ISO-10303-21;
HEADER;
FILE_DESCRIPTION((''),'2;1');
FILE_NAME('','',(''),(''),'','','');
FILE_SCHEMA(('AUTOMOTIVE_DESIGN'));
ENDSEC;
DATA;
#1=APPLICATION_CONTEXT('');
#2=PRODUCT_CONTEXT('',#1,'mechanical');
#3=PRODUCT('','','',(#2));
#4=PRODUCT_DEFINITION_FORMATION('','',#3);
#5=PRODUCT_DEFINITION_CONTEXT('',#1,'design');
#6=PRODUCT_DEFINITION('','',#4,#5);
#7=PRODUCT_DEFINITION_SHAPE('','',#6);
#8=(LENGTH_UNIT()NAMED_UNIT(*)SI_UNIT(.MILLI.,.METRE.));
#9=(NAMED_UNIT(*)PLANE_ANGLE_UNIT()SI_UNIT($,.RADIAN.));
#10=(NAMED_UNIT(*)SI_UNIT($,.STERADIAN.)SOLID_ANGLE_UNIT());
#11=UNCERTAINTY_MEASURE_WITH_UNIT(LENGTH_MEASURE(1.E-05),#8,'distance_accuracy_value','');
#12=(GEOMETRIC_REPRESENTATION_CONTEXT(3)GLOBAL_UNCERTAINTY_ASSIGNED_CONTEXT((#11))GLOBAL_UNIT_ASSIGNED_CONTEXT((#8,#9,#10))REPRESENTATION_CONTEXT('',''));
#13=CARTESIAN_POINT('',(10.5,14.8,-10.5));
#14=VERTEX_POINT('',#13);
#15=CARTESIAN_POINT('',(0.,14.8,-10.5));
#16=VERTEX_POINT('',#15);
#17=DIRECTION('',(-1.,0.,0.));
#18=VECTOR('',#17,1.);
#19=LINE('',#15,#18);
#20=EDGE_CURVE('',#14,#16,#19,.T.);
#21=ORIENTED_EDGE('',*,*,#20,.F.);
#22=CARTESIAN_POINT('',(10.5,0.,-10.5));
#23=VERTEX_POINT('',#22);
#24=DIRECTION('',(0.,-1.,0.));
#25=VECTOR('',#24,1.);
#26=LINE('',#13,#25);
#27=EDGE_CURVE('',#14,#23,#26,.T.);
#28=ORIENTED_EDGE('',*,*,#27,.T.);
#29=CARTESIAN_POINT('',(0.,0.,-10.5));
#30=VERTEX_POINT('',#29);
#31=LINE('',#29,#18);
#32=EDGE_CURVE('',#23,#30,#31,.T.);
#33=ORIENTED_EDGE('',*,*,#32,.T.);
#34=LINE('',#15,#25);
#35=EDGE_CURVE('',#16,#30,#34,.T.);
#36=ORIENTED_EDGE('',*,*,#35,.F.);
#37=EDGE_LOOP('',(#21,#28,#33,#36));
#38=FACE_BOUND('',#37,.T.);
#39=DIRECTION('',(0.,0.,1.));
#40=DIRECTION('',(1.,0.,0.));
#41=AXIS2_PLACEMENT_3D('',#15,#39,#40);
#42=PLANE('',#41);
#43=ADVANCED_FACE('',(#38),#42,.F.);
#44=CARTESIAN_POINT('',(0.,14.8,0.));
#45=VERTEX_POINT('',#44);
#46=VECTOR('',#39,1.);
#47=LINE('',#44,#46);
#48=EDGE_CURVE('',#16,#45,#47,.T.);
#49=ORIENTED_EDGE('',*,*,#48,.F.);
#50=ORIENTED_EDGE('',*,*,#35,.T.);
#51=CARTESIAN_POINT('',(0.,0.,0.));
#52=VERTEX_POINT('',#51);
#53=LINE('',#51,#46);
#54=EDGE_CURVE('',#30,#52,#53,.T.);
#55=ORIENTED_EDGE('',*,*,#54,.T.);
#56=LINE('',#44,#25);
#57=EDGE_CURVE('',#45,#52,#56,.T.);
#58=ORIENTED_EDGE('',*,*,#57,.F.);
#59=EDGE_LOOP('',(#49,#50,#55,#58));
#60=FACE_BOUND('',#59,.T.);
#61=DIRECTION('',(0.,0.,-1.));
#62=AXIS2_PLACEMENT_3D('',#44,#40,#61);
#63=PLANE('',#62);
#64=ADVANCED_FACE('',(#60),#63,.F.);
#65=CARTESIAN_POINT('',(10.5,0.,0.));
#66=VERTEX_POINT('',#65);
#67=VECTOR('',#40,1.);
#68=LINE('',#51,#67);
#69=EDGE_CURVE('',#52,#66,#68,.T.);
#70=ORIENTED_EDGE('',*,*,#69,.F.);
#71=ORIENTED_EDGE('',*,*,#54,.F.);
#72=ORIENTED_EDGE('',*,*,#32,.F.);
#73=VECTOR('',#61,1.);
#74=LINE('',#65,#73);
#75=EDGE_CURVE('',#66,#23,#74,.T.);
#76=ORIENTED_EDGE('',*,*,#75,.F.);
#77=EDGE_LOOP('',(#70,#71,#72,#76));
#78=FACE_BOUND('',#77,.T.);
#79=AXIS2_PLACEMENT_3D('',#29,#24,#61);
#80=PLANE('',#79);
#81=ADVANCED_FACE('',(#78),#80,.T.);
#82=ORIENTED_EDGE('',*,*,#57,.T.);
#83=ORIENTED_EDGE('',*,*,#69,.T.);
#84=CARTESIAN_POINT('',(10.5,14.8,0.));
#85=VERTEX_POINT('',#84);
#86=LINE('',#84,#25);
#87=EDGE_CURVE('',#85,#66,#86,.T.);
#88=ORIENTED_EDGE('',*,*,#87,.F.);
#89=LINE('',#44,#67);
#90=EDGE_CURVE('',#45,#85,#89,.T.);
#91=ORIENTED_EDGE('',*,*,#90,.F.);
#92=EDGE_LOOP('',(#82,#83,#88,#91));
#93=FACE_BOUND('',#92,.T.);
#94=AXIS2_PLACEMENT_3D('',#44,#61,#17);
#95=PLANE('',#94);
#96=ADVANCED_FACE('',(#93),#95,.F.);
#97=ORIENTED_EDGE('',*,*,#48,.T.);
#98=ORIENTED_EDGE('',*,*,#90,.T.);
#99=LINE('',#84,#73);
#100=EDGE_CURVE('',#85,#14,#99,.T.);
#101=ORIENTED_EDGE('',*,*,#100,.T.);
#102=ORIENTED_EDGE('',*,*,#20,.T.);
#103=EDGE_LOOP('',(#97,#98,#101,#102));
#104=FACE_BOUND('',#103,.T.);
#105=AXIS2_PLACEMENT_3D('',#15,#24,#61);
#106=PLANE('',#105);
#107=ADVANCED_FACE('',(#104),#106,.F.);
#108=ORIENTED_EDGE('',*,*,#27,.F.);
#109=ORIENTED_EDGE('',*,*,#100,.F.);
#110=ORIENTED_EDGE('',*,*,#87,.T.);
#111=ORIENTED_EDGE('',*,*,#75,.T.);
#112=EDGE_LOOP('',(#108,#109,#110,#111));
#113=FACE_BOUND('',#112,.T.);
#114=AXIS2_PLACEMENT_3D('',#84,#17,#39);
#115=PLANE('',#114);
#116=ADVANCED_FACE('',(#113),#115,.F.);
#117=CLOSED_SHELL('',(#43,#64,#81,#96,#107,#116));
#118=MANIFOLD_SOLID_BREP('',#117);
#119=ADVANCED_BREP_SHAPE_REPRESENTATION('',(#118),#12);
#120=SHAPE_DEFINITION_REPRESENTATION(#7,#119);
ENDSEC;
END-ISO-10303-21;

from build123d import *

# Parameters (mm, degrees)
SKETCH1_W      = 10.5
SKETCH1_H      = 10.5
EXTRUDE1_DEPTH = 14.8


with BuildPart() as part:
    # Sketch1 → Extrude1 (new body)
    with BuildSketch(Plane(origin=(0, 0, 0), x_dir=(1, 0, 0), z_dir=(0, 1, 0))):
        with Locations((5.25, 5.25)):
            Rectangle(SKETCH1_W, SKETCH1_H)
    extrude(amount=EXTRUDE1_DEPTH)


solid = part.part
